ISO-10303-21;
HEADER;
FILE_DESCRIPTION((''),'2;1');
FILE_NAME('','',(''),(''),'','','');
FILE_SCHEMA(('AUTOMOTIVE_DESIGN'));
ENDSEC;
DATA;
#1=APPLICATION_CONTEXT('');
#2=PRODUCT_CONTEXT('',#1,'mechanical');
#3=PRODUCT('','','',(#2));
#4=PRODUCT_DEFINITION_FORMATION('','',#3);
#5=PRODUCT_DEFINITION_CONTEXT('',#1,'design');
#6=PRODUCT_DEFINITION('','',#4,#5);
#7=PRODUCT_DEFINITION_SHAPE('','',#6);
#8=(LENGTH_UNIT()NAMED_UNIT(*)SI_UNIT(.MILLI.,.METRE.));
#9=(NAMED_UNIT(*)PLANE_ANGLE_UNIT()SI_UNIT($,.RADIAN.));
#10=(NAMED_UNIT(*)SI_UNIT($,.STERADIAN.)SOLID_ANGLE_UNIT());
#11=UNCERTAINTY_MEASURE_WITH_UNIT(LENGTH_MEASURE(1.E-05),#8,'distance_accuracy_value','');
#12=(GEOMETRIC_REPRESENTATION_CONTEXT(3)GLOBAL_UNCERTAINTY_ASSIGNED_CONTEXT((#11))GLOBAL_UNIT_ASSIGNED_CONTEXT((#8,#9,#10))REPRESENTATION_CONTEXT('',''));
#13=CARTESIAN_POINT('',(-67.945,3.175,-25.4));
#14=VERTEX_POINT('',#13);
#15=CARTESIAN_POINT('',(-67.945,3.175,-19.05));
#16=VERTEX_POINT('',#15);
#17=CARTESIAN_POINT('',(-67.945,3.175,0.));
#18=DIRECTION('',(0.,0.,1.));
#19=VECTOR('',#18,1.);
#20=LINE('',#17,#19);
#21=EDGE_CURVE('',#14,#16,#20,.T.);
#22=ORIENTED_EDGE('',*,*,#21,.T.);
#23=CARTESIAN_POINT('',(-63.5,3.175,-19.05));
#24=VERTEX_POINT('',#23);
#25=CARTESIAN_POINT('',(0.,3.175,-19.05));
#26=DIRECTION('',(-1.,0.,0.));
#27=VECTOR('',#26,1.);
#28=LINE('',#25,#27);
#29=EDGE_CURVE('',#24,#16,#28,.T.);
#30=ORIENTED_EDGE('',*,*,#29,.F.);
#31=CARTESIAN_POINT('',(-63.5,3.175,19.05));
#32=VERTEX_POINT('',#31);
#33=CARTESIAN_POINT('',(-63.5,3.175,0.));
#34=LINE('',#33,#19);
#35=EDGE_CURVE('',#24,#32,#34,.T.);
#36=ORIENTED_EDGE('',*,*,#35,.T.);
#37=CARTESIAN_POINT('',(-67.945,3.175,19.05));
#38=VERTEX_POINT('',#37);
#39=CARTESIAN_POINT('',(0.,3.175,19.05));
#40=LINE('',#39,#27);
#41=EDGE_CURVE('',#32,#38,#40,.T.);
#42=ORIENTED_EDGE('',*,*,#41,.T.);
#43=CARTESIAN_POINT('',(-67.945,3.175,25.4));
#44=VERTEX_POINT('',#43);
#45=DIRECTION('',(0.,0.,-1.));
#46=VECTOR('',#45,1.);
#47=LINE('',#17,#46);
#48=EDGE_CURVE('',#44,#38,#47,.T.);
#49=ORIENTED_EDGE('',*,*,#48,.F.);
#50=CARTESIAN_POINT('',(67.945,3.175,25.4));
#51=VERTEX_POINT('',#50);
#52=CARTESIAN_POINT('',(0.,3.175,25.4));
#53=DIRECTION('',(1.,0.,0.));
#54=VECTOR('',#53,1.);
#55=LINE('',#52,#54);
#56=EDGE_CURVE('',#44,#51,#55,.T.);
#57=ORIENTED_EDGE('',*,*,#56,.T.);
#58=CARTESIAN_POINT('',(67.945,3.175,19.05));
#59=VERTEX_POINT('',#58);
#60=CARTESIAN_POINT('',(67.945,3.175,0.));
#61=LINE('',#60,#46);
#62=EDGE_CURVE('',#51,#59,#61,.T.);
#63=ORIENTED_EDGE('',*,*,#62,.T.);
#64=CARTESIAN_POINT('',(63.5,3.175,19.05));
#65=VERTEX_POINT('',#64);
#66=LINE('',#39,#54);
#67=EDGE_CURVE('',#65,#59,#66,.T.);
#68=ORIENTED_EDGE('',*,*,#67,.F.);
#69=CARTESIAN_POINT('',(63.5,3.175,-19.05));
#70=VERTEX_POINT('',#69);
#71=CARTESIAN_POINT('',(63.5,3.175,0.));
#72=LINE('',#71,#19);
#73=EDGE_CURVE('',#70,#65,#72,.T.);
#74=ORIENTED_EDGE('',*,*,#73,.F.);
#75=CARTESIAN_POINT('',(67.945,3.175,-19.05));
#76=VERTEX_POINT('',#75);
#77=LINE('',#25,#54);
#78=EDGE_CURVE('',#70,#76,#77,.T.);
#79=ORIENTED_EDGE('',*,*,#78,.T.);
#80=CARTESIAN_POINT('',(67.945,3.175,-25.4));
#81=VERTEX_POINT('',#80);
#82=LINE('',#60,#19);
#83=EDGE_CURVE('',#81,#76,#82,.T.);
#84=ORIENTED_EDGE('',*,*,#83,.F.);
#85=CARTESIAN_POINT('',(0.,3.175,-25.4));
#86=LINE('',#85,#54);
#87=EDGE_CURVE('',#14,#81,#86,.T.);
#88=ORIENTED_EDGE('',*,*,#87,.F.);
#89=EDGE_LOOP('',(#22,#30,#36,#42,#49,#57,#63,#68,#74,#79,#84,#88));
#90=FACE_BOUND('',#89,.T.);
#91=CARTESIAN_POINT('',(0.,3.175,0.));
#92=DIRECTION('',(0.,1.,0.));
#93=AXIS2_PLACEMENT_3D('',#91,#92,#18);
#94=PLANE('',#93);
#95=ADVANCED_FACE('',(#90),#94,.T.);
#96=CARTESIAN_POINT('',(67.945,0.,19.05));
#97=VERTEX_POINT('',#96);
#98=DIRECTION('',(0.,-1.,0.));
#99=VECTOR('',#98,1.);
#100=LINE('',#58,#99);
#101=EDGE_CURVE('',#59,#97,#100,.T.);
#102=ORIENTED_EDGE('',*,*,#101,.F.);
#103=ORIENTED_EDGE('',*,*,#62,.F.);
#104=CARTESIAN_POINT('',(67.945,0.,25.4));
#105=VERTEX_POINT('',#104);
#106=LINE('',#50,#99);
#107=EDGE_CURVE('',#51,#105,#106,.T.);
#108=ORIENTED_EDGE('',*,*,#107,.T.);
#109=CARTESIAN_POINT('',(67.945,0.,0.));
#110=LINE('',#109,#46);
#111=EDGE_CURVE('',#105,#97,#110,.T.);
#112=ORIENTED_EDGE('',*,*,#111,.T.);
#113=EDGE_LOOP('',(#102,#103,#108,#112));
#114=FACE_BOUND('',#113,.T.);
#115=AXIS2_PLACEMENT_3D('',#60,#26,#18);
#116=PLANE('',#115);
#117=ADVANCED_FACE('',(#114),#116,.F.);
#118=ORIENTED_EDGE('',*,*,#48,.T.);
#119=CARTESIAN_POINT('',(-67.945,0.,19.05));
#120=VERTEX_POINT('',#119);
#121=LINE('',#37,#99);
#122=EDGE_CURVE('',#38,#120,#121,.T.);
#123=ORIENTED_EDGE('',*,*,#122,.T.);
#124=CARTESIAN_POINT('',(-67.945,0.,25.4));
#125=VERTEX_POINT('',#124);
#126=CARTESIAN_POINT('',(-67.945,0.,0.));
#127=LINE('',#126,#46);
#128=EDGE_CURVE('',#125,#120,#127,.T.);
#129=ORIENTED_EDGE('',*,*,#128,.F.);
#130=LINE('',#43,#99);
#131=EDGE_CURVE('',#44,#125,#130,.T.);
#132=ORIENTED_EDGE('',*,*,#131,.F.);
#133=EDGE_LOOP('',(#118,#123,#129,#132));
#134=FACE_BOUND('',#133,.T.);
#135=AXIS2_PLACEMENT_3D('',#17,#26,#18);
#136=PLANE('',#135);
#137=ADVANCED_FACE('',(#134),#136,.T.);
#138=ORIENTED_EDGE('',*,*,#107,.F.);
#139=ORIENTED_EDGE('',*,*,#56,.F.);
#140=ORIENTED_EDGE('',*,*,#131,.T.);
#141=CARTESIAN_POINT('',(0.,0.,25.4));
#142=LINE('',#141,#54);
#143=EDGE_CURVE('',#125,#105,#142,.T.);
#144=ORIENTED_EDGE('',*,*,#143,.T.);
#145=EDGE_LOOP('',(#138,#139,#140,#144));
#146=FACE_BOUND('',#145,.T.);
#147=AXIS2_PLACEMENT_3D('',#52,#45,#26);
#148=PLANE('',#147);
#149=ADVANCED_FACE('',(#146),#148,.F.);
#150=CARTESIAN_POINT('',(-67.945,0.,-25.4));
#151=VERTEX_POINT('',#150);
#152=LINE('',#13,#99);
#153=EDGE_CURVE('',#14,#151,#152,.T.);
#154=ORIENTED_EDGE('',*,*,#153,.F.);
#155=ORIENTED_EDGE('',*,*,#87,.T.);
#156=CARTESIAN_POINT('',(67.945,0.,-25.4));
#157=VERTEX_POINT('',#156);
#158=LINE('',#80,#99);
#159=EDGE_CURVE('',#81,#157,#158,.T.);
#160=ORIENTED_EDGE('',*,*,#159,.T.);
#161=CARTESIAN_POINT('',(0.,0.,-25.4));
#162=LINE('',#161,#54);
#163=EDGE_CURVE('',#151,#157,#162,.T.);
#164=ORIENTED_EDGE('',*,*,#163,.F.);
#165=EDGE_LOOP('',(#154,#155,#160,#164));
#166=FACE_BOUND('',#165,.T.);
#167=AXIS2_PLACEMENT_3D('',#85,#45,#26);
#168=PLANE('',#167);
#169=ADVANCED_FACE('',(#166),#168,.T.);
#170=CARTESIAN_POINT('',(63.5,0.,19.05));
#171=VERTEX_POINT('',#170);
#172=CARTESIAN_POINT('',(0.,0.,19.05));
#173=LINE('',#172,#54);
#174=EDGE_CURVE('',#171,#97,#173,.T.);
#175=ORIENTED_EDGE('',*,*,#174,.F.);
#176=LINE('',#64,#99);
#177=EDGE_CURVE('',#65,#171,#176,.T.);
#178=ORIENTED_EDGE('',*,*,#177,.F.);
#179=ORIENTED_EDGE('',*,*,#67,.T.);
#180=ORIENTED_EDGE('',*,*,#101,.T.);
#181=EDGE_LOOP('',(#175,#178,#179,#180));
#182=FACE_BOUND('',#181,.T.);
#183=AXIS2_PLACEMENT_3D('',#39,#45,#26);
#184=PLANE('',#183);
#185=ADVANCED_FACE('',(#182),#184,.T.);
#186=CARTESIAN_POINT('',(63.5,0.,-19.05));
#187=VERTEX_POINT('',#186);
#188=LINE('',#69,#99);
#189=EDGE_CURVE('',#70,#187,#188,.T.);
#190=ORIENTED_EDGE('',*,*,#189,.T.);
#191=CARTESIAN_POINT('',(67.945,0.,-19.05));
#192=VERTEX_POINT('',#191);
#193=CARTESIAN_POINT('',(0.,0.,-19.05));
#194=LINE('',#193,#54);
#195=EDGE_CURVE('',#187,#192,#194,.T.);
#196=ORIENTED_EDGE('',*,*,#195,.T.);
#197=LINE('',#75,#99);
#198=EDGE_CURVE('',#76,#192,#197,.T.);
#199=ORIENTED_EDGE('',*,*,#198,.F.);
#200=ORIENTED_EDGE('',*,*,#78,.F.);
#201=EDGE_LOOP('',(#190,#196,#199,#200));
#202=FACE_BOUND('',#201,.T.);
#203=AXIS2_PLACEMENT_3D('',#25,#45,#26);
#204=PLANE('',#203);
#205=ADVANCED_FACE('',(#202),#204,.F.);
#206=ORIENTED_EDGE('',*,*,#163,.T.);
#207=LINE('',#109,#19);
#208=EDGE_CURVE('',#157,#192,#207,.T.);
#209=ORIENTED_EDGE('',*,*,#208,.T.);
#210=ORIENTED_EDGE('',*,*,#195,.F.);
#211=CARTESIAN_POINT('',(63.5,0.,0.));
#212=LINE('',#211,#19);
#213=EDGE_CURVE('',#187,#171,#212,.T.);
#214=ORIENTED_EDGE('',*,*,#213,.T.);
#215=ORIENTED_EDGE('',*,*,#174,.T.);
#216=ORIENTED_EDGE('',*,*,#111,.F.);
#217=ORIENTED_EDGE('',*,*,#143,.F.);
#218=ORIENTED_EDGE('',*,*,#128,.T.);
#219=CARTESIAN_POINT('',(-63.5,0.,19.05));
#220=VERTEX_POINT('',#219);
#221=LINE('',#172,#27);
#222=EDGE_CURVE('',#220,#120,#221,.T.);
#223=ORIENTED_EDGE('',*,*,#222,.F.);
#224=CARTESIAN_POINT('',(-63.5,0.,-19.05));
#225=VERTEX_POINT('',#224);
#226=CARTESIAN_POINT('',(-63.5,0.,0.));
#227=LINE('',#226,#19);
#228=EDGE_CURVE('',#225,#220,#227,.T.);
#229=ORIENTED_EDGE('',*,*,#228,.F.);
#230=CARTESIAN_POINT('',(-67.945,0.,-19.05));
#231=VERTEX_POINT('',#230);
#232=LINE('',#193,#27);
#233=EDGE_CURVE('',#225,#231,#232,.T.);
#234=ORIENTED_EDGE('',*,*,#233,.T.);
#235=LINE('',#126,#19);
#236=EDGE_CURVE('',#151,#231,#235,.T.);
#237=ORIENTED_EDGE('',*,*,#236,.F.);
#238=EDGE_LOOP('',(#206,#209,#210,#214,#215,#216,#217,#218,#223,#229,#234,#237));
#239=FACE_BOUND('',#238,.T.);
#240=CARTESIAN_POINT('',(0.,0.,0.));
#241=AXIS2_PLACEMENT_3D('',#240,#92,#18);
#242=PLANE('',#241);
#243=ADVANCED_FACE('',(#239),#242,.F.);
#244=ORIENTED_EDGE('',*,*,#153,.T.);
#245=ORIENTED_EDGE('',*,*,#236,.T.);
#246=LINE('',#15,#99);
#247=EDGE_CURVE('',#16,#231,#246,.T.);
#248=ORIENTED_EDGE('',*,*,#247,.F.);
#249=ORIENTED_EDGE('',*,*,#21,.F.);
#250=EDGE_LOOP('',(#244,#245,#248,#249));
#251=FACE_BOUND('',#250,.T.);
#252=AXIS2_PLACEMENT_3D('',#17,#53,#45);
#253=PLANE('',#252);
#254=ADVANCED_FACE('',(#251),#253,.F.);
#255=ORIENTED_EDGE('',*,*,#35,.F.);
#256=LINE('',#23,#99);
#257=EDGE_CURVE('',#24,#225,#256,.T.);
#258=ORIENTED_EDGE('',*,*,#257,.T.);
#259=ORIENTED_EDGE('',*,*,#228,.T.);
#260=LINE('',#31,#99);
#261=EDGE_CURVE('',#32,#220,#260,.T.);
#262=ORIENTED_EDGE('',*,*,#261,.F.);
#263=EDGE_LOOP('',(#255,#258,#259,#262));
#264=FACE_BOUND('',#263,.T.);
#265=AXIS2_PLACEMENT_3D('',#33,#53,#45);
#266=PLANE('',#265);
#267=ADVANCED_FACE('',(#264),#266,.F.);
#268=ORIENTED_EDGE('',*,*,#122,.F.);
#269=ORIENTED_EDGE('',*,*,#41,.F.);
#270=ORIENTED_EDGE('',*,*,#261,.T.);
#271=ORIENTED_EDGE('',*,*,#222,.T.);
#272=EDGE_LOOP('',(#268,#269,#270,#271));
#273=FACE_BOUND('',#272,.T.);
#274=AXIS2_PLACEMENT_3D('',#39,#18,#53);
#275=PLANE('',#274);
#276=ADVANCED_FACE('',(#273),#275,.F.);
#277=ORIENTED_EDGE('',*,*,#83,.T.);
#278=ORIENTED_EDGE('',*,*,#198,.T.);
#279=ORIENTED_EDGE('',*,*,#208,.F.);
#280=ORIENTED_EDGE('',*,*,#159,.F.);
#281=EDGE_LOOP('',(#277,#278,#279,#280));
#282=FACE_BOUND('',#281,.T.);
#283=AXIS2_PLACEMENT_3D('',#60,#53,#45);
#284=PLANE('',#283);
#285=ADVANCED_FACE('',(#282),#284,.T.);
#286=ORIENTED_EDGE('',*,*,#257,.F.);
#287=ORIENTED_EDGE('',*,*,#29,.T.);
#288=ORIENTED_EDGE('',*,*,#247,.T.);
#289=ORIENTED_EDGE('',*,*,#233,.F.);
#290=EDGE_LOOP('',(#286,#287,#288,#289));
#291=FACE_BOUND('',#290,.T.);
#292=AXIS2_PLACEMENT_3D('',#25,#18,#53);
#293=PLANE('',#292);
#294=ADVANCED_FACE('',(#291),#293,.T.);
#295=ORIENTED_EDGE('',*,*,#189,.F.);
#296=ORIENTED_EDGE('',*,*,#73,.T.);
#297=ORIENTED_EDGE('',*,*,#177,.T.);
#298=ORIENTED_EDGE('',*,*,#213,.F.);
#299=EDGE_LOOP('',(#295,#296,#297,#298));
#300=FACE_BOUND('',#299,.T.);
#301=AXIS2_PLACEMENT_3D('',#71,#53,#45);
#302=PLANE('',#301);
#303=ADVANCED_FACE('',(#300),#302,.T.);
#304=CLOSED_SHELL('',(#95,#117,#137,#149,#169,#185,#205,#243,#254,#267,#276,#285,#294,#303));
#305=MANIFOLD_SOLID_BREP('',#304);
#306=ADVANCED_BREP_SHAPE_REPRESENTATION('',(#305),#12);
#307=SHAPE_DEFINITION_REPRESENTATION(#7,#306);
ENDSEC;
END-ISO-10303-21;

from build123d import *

# Parameters (mm, degrees)
SKETCH1_W           = 127
SKETCH1_H           = 50.8
SKETCH1_W_2         = 4.445
SKETCH1_H_2         = 6.35
BOSS_EXTRUDE1_DEPTH = 3.175


with BuildPart() as part:
    # Sketch1 → Boss-Extrude1 (new body)
    with BuildSketch(Plane(origin=(0, 0, 0), x_dir=(1, 0, 0), z_dir=(0, 1, 0))):
        Rectangle(SKETCH1_W, SKETCH1_H)
        with Locations((-65.7225, 22.225)):
            Rectangle(SKETCH1_W_2, SKETCH1_H_2)
        with Locations((-65.7225, -22.225)):
            Rectangle(SKETCH1_W_2, SKETCH1_H_2)
        with Locations((65.7225, -22.225)):
            Rectangle(SKETCH1_W_2, SKETCH1_H_2)
        with Locations((65.7225, 22.225)):
            Rectangle(SKETCH1_W_2, SKETCH1_H_2)
    extrude(amount=BOSS_EXTRUDE1_DEPTH)


solid = part.part
